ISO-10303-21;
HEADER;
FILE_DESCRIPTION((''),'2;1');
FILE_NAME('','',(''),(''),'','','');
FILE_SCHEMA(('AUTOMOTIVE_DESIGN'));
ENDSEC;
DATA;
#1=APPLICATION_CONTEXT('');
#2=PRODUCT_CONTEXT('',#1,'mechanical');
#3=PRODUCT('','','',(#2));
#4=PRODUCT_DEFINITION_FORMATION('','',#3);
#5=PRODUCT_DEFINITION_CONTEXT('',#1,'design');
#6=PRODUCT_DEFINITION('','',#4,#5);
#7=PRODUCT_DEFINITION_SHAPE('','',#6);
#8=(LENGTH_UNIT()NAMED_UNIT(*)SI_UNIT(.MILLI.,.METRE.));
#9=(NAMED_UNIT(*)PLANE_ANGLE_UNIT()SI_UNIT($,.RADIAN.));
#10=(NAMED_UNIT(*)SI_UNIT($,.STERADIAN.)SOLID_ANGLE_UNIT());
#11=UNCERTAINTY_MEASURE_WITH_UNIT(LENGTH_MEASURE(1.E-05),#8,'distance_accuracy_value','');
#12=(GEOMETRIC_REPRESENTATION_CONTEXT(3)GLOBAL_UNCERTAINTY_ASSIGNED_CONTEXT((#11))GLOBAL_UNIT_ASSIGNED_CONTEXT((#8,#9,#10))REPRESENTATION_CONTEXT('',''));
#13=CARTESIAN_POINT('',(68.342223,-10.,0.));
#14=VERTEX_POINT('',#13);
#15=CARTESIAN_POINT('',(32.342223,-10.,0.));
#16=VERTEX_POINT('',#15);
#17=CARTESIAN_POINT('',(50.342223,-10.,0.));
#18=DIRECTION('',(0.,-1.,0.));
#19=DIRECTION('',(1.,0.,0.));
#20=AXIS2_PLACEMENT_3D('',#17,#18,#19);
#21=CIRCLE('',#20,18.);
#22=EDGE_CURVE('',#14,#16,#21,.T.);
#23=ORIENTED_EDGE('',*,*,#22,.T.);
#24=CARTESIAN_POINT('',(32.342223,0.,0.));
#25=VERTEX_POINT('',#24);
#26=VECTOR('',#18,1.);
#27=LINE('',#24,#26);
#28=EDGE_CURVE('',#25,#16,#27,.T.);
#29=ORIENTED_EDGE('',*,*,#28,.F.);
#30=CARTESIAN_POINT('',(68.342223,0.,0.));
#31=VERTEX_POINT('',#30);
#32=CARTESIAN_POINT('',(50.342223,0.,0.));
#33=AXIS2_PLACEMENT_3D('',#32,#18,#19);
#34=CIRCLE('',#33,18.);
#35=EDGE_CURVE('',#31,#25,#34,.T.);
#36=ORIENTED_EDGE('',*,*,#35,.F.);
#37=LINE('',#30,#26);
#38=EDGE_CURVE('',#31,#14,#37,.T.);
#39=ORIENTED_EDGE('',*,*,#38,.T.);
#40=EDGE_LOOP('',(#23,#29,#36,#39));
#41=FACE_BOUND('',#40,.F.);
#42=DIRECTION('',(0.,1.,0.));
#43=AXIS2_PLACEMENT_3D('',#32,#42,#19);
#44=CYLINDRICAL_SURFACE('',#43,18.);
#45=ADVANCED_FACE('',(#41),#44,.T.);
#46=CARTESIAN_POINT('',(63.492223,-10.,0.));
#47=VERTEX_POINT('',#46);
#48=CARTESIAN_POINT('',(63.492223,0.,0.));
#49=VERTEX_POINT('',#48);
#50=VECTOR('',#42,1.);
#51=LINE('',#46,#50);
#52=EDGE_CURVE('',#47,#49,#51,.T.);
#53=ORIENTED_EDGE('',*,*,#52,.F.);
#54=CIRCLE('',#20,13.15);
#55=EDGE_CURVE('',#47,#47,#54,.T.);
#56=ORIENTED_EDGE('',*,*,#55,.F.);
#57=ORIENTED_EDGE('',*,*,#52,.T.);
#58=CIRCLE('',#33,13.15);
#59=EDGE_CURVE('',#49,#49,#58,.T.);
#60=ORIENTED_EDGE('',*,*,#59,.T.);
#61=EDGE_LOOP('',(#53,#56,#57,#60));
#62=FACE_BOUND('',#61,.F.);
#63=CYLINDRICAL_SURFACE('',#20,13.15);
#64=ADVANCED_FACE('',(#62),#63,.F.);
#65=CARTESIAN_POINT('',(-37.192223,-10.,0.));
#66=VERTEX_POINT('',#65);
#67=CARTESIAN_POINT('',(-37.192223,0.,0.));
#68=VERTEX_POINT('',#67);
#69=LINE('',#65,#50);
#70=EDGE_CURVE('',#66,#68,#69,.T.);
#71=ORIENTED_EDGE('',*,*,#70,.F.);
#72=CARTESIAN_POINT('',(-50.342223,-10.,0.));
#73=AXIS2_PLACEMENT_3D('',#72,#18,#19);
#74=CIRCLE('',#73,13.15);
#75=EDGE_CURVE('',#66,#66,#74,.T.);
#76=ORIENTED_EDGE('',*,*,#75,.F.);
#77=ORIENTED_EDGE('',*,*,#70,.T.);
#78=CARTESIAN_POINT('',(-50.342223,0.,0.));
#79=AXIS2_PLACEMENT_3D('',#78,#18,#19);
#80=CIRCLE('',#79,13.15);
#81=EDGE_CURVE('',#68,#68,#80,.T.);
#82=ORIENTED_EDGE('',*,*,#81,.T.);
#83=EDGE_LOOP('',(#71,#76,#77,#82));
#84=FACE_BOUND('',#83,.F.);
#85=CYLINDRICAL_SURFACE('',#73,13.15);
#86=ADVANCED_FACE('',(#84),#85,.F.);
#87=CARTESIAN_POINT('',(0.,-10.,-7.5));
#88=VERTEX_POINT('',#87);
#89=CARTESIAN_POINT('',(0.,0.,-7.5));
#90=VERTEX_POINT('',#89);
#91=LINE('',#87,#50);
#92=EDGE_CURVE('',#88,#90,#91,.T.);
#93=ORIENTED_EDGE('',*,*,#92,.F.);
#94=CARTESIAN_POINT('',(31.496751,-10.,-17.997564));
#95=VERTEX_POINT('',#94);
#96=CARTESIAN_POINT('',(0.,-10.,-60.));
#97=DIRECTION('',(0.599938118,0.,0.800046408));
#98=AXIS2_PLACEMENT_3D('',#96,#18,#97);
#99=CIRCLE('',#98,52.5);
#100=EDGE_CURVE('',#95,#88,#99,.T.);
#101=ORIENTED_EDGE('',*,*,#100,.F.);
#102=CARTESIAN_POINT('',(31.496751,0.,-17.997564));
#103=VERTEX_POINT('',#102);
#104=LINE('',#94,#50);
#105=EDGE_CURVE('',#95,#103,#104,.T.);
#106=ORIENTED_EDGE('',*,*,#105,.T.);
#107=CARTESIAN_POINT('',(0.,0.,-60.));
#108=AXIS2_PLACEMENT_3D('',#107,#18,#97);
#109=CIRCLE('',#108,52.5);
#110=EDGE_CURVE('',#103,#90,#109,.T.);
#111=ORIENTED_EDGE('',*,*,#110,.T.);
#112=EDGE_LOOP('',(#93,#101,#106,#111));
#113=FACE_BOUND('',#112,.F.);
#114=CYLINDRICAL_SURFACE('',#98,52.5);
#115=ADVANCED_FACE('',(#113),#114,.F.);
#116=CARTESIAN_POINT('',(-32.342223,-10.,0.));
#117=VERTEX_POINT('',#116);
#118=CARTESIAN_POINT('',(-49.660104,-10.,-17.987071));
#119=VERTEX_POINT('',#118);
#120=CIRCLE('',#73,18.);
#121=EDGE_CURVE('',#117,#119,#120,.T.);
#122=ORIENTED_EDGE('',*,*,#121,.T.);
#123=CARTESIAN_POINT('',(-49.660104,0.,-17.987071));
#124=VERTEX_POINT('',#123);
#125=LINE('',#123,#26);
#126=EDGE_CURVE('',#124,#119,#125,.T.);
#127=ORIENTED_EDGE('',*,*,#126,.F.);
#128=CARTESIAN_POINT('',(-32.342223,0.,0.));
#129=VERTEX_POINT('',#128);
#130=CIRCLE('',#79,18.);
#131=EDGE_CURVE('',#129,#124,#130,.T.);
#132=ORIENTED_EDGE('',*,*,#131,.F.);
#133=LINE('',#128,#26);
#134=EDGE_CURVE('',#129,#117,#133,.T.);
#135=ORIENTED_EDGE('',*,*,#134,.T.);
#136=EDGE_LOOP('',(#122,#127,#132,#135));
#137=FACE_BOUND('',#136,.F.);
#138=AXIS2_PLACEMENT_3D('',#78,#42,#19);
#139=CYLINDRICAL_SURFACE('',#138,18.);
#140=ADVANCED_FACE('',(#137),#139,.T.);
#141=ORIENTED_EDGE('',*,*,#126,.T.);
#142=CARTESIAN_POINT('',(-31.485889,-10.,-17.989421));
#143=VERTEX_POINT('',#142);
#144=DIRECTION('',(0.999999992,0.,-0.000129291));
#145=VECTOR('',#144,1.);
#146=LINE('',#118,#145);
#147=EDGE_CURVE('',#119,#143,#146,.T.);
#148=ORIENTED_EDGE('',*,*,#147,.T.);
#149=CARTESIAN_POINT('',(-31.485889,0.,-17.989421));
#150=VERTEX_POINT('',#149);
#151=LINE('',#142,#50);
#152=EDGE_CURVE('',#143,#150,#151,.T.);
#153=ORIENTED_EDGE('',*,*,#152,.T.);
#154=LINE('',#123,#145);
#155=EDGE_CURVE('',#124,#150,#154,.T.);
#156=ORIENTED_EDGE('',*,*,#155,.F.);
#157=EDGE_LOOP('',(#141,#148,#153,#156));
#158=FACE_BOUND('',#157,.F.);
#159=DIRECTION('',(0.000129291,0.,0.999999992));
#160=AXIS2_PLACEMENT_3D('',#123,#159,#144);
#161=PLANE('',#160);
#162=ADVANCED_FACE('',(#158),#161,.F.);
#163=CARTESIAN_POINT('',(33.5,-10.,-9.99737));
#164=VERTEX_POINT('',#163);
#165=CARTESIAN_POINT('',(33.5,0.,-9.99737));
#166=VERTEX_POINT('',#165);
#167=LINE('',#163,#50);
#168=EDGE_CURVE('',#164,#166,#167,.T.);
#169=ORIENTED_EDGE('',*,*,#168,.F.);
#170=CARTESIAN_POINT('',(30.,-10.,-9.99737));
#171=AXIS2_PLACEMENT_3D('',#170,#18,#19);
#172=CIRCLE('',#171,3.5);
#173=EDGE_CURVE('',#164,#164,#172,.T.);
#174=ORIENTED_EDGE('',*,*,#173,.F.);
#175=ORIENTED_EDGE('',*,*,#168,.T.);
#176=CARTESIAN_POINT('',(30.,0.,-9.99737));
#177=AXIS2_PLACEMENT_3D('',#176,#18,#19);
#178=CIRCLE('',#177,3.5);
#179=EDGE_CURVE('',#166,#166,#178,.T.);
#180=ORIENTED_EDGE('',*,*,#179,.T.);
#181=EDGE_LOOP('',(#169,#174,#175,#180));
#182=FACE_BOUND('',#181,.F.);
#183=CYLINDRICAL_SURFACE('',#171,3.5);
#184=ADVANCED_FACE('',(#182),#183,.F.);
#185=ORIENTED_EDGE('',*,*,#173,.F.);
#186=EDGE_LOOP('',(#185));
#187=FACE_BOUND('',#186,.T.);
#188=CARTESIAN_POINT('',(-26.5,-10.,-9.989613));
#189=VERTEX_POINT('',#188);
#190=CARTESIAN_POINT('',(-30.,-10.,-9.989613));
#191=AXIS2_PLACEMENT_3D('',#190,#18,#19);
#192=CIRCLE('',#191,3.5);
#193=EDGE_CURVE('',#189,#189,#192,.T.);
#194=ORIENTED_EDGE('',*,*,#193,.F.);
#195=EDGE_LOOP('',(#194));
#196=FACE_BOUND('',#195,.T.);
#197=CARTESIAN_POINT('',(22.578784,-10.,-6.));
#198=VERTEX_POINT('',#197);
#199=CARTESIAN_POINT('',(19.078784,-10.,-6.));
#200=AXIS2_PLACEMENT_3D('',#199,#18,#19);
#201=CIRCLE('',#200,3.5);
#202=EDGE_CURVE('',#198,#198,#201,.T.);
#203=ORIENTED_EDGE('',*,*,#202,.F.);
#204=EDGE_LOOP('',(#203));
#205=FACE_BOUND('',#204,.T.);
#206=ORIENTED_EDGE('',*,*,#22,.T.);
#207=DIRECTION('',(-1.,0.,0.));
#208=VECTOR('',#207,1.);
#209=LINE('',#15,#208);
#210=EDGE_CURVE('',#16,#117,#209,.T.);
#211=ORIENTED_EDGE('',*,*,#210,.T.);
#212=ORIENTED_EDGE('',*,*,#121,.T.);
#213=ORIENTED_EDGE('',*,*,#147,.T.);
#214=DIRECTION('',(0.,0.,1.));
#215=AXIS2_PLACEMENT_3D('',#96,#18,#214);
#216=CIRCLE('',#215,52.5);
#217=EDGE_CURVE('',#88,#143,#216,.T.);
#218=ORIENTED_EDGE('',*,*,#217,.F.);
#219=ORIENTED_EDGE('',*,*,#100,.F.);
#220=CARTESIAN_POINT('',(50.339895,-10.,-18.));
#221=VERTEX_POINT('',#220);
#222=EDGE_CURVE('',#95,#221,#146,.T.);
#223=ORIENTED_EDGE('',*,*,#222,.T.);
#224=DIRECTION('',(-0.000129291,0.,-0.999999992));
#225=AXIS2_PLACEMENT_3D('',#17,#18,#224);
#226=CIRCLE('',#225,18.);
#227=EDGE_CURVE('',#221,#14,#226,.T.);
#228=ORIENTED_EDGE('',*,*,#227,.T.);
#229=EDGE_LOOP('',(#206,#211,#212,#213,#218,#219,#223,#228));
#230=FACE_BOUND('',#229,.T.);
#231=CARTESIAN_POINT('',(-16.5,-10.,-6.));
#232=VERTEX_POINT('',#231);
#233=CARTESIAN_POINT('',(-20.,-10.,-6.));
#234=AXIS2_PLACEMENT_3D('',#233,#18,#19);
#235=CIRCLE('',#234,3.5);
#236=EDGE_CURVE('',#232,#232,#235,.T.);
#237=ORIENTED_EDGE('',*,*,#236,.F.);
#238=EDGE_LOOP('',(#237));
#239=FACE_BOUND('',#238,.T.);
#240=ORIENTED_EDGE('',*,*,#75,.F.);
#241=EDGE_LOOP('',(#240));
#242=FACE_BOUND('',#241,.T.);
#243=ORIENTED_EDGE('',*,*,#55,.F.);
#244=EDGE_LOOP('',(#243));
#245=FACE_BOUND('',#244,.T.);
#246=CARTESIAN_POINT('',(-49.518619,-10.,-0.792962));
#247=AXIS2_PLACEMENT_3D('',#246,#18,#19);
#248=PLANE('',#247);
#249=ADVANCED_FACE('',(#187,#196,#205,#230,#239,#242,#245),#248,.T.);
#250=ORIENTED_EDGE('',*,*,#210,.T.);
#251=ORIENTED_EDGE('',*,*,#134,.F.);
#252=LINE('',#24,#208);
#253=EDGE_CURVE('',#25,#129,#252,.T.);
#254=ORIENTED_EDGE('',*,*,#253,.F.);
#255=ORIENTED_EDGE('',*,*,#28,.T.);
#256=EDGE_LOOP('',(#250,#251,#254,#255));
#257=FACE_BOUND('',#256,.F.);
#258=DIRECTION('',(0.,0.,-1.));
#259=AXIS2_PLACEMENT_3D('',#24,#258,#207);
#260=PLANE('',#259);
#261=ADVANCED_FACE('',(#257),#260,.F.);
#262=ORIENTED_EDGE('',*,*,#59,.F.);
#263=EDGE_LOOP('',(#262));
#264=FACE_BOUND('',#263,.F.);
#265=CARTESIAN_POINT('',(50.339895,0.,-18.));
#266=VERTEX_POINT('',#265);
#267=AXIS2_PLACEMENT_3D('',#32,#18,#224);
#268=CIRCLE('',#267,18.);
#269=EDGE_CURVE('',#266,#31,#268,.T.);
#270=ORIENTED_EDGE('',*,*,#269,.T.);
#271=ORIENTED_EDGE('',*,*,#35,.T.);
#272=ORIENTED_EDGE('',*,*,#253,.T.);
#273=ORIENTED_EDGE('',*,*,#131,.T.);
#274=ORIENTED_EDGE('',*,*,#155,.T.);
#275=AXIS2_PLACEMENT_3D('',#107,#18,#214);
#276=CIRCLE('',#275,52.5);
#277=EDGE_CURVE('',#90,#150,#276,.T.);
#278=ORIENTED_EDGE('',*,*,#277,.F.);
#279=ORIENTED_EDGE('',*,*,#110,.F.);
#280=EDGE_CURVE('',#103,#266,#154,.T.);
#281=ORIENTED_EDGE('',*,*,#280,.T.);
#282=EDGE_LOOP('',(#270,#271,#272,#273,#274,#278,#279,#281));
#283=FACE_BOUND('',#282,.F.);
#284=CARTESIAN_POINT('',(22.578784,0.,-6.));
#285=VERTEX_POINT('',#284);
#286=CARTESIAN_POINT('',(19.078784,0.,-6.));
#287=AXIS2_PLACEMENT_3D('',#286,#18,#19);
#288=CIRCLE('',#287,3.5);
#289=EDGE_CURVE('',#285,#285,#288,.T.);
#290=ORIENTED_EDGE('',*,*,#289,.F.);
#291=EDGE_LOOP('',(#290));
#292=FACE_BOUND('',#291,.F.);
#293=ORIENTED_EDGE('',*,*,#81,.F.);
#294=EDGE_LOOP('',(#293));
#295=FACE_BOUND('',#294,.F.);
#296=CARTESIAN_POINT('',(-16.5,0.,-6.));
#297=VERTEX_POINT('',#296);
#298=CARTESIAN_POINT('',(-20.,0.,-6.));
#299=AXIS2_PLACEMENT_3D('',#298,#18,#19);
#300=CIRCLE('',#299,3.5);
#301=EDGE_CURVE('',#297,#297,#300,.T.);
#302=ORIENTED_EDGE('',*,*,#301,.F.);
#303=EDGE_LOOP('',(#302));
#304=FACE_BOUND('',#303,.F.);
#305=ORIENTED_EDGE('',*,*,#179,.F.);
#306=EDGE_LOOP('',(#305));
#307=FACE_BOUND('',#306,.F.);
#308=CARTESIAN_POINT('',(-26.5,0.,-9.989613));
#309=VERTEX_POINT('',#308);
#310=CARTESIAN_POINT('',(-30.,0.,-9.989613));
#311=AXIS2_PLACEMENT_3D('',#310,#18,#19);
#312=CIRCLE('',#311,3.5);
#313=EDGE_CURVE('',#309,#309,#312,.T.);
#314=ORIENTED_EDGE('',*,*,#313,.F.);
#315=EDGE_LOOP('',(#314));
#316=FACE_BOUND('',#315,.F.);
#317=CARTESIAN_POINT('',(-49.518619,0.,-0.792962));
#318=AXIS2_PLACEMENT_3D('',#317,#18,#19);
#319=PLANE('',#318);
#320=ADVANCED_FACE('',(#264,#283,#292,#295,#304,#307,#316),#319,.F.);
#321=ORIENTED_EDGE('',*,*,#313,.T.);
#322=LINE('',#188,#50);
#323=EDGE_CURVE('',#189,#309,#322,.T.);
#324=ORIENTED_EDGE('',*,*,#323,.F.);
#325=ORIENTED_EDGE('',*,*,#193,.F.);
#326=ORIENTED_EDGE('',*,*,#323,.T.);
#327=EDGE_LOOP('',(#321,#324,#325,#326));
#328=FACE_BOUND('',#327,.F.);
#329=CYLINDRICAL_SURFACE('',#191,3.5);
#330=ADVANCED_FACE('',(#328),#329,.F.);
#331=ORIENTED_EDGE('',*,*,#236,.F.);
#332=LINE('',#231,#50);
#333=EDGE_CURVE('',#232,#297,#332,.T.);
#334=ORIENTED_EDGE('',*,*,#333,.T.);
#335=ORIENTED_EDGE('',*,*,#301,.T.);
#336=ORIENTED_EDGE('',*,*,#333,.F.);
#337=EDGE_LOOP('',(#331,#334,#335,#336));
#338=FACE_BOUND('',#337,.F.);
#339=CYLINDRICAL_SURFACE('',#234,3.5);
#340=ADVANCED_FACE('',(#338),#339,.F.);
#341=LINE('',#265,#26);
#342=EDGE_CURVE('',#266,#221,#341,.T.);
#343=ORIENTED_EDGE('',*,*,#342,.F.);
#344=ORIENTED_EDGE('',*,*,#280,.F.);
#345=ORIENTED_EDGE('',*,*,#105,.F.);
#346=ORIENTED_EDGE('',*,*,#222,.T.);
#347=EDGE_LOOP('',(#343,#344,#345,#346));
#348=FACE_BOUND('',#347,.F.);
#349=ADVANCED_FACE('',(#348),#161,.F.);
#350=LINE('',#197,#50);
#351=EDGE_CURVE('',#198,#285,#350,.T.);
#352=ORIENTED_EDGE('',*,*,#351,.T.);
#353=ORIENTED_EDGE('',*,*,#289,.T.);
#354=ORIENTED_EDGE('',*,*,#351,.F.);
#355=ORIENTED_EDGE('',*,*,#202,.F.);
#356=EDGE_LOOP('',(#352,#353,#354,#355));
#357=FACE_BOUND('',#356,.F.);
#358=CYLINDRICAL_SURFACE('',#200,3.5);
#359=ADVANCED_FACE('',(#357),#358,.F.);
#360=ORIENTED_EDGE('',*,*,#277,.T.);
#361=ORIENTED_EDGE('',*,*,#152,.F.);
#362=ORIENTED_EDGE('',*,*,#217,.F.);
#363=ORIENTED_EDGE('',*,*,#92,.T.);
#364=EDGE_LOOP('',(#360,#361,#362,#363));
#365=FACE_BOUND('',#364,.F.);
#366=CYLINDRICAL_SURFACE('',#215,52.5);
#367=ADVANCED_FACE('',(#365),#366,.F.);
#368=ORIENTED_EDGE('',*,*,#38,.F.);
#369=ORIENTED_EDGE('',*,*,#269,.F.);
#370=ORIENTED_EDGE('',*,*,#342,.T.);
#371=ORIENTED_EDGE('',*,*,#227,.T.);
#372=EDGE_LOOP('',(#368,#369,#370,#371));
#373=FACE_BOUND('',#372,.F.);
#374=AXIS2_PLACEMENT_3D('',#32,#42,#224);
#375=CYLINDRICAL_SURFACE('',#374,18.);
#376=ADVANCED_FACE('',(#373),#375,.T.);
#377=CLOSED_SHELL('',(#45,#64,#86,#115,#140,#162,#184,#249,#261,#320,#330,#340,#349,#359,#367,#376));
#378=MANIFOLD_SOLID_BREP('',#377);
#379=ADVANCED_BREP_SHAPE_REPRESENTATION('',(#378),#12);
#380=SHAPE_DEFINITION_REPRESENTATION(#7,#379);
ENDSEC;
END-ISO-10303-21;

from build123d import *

# Parameters (mm, degrees)
F1_DEPTH = 10
F2_R     = 13.15
F3_DEPTH = 25
F5_DEPTH = 10.001
F6_R     = 3.5
F7_DEPTH = 10.001


with BuildPart() as f1:
    # F0 (on Front) → F1 (new body)
    with BuildSketch(Plane.XZ):
        with BuildLine():
            ThreePointArc((-49.6601038214, -17.9870707453), (-37.3753775975, -12.4844275463), (-32.3422225816, 0))
            ThreePointArc((-32.3422225816, 0), (-63.3090675656, 12.4844275463), (-49.6601038214, -17.9870707453))
        make_face()
        with BuildLine():
            Line((32.3422225816, 0), (-32.3422225816, 0))
            ThreePointArc((-32.3422225816, 0), (-37.3753775975, -12.4844275463), (-49.6601038214, -17.9870707453))
            Line((-49.6601038214, -17.9870707453), (50.3398953428, -17.9999998496))
            ThreePointArc((50.3398953428, -17.9999998496), (37.6134777436, -12.7270992316), (32.3422225816, 0))
        make_face()
        with BuildLine():
            ThreePointArc((68.3422225816, 0), (50.3422225816, 18), (32.3422225816, 0))
            ThreePointArc((32.3422225816, 0), (37.6134777436, -12.7270992316), (50.3398953428, -17.9999998496))
            ThreePointArc((50.3398953428, -17.9999998496), (63.0693218132, -12.7287448379), (68.3422225816, 0))
        make_face()
    extrude(amount=F1_DEPTH)

    # F2 (on face) → F3 (cut)
    with BuildSketch(Plane.XZ.offset(10)):
        with Locations((-50.3422225816, 0)):
            Circle(F2_R)
        with Locations((50.3422225816, 0)):
            Circle(F2_R)
    extrude(amount=-F3_DEPTH, mode=Mode.SUBTRACT)

    # F4 (on face) → F5 (cut, through all)
    with BuildSketch(Plane.XZ.offset(10)):
        with BuildLine():
            ThreePointArc((31.4967512046, -17.9975635998), (16.6000314606, -10.1934848087), (0, -7.5))
            Line((0, -7.5), (0, -17.993491352))
            Line((0, -17.993491352), (31.4967512046, -17.9975635998))
        make_face()
        with BuildLine():
            Line((0, -17.993491352), (0, -7.5))
            ThreePointArc((0, -7.5), (-16.5935917856, -10.1913389896), (-31.4858890741, -17.9894205085))
            Line((-31.4858890741, -17.9894205085), (0, -17.993491352))
        make_face()
    extrude(amount=-F5_DEPTH, mode=Mode.SUBTRACT)

    # F6 (on face) → F7 (cut, through all)
    with BuildSketch(Plane.XZ.offset(10)):
        with Locations((-30, -9.9896125538)):
            Circle(F6_R)
        with Locations((-20, -6)):
            Circle(F6_R)
        with Locations((19.0787840283, -6)):
            Circle(F6_R)
        with Locations((30, -9.9973700164)):
            Circle(F6_R)
    extrude(amount=-F7_DEPTH, mode=Mode.SUBTRACT)


solid = f1.part
